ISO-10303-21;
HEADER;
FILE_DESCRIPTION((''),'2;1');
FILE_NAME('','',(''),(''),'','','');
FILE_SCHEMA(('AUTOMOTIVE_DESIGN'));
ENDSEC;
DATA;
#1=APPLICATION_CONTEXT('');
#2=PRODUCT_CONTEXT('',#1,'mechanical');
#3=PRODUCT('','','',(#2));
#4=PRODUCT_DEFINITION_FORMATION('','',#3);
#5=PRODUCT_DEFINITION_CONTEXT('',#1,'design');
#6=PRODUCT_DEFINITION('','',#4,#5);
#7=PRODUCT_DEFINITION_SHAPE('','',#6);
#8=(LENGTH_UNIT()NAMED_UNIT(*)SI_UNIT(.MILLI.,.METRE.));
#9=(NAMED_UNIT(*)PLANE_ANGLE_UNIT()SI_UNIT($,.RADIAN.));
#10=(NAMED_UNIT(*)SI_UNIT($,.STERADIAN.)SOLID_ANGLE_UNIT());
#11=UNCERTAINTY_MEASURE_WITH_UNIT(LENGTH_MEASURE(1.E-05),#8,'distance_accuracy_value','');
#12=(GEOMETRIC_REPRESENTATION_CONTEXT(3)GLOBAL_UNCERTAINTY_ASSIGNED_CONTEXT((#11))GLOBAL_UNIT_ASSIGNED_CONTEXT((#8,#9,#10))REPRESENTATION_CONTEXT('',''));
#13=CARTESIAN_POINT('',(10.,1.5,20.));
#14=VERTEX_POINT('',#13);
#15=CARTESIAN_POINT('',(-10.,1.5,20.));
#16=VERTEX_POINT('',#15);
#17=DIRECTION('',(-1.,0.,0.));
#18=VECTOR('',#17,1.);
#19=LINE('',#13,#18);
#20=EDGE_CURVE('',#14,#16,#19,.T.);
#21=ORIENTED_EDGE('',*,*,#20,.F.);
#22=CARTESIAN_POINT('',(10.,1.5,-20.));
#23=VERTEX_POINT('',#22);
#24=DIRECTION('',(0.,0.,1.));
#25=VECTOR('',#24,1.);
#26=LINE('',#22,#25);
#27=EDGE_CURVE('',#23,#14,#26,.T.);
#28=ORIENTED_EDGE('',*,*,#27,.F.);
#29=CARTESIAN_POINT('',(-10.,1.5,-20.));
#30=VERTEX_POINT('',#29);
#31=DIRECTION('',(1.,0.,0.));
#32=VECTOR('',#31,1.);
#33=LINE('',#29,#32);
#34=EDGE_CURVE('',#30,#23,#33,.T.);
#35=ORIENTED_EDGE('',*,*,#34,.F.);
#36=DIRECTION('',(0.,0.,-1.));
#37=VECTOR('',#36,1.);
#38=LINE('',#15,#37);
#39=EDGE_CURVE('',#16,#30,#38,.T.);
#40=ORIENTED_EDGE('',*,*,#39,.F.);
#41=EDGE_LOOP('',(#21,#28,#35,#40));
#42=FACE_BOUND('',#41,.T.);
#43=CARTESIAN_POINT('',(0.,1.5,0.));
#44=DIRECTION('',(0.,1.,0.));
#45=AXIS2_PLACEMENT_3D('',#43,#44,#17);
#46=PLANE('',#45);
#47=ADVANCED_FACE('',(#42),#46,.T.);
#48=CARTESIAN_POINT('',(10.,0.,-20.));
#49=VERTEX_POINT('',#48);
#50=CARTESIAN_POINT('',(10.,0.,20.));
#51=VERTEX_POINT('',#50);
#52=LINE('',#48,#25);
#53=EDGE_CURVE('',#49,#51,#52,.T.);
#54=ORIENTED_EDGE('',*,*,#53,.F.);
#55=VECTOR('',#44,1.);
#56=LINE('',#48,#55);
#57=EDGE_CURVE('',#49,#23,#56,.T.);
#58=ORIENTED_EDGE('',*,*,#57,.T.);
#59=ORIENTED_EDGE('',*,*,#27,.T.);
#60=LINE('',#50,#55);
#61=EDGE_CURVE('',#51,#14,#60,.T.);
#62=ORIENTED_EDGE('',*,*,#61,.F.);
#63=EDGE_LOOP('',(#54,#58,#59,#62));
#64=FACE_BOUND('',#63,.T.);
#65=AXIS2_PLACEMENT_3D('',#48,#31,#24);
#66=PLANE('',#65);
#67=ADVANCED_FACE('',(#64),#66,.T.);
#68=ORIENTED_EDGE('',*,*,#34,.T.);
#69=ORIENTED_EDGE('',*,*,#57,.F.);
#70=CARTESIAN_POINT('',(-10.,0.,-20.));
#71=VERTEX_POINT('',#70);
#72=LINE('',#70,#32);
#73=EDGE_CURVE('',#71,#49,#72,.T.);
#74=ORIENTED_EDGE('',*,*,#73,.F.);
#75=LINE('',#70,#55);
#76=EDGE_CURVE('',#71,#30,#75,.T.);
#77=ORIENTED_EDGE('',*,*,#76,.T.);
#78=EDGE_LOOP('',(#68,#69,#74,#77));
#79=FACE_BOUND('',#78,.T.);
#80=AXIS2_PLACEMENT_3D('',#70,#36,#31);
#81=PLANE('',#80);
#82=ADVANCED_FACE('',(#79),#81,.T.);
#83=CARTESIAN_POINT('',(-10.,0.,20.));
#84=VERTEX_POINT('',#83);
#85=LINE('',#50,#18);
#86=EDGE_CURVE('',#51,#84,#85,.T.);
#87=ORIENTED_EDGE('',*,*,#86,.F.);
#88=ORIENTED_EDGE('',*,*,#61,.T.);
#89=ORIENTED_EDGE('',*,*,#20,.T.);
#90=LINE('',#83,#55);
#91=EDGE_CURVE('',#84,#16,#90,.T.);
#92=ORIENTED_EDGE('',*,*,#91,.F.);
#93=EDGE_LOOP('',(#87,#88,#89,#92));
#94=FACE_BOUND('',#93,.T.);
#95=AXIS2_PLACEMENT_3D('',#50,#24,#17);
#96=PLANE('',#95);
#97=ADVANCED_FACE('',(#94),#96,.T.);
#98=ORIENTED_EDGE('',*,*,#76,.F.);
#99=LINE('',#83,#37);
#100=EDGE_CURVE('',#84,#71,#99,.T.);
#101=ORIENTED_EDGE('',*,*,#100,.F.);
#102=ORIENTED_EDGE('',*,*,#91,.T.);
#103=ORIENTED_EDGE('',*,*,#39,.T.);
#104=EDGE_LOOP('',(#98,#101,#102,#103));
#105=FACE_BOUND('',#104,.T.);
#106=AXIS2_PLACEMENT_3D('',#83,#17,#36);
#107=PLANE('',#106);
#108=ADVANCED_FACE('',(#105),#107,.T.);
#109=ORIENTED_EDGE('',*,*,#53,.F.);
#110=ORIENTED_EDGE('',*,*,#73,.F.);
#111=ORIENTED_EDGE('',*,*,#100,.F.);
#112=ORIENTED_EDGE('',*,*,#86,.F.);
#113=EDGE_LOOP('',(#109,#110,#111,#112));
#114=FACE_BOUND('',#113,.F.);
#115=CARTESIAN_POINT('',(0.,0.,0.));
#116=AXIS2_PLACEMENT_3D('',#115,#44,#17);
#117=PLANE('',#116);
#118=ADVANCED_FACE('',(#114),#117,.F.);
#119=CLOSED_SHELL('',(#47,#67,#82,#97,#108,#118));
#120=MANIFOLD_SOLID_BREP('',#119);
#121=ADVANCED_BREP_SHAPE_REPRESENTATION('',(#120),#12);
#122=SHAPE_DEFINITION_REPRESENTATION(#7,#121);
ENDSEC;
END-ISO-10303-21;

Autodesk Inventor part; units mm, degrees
ref_plane "YZ Plane" through (0, 0, 0) normal (1, 0, 0) x (0, 1, 0)
ref_plane "XZ Plane" through (0, 0, 0) normal (0, 1, 0) x (-1, 0, 0)
ref_plane "XY Plane" through (0, 0, 0) normal (0, 0, 1) x (1, 0, 0)
sketch "Sketch1" plane through (0, 0, 0) normal (0, 1, 0) x (-1, 0, 0)
  line L0 (-10, 20) -> (10, 20)
  line L1 (10, 20) -> (10, -20)
  line L2 (10, -20) -> (-10, -20)
  line L3 (-10, -20) -> (-10, 20)
  line L4 (-10, 20) -> (10, -20) construction
  line L5 (10, 20) -> (-10, -20) construction
  point P0 (0, 0)
  dimension "d0" = 40
  dimension "d1" = 20
extrude "Plate1" add sketch "Sketch1" along normal blind 1.5
equation "\"d2\" = Thickness"
equation "\"BendReliefWidth\" = Thickness"
equation "\"BendReliefDepth\" = 0.5 * Thickness"
equation "\"CornerReliefSize\" = 4 * Thickness"
equation "\"MinimumRemnant\" = 2 * Thickness"
equation "\"TransitionRadius\" = BendRadius"
equation "\"JacobiRadiusSize\" = BendRadius"
equation "\"GapSize\" = Thickness"
equation "\"Thickness\" = 1.5"
equation "\"BendRadius\" = 0.31"
properties part number "axis_22_top_frame(middle)" material "Aluminum 6061-AHC"
